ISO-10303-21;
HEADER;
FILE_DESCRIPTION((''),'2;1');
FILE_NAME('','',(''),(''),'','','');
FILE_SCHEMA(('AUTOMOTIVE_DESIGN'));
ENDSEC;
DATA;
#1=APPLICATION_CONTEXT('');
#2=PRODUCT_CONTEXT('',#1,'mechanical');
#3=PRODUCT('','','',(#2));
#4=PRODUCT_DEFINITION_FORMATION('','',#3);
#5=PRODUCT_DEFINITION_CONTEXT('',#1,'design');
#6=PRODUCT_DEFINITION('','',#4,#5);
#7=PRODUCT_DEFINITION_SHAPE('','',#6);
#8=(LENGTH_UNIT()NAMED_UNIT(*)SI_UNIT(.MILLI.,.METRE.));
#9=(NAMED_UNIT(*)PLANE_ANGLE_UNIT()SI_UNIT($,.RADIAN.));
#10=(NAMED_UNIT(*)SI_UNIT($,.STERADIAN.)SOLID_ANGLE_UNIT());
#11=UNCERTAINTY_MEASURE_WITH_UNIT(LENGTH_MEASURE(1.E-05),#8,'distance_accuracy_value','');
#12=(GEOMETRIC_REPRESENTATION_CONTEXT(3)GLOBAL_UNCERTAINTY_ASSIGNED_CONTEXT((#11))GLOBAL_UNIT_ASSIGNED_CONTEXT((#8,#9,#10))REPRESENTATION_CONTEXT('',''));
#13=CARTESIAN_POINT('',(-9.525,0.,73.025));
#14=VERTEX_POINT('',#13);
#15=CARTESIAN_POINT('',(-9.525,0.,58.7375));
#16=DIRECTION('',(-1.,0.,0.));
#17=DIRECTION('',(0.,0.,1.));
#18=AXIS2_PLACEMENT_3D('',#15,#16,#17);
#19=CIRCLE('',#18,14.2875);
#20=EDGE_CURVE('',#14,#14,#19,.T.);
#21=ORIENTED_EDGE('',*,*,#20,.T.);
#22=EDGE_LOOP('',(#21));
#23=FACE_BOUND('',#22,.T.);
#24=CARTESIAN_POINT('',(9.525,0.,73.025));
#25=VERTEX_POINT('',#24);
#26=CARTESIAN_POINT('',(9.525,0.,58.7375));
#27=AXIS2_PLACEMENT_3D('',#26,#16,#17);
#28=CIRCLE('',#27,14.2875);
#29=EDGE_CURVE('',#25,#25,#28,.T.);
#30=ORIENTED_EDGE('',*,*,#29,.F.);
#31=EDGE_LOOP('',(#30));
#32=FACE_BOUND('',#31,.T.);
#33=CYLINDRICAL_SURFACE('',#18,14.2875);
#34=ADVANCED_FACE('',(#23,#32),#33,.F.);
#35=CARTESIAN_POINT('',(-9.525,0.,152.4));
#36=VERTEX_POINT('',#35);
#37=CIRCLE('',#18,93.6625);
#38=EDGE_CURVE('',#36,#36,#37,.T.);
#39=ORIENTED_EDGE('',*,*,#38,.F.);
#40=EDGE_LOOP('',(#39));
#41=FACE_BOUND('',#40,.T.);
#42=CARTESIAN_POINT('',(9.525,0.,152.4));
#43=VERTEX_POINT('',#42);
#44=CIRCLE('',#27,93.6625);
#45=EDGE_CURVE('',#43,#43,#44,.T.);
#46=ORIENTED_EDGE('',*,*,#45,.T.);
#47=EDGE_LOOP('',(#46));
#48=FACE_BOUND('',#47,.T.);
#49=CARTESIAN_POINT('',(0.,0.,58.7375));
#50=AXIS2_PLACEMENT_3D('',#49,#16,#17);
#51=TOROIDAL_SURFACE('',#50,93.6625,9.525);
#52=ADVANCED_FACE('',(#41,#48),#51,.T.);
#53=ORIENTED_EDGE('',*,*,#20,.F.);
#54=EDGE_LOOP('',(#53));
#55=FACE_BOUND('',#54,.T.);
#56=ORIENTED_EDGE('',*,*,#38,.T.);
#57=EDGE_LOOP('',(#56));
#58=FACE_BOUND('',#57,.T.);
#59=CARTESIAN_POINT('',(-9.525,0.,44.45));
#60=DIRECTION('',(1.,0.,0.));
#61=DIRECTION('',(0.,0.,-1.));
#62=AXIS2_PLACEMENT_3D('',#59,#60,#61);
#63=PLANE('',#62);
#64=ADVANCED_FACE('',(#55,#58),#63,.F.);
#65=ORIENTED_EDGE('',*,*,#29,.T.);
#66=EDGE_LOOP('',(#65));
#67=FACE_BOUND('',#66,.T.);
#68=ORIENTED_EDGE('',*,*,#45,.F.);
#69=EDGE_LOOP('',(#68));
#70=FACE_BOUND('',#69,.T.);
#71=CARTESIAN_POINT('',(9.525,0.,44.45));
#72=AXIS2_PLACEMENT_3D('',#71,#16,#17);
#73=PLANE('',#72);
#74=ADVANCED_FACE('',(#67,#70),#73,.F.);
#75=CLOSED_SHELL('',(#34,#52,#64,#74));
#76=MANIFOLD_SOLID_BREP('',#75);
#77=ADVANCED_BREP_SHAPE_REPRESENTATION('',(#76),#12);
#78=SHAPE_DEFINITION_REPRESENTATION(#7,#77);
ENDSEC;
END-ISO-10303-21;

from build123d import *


with BuildPart() as part:
    # Sketch2 → Revolve1 (revolve)
    with BuildSketch(Plane(origin=(0, 0, 0), x_dir=(1, 0, 0), z_dir=(0, 1, 0)), mode=Mode.PRIVATE) as revolve1_sk:
        with BuildLine():
            Line((9.525, -44.45), (-9.525, -44.45))
            Line((-9.525, -44.45), (-9.525, 34.925))
            ThreePointArc((-9.525, 34.925), (0, 44.45), (9.525, 34.925))
            Line((9.525, 34.925), (9.525, -44.45))
        make_face()
    revolve(revolve1_sk.sketch.rotate(Axis((-9.525, 0, 58.7375), (1, 0, 0)), 180), axis=Axis((-9.525, 0, 58.7375), (1, 0, 0)))


solid = part.part
